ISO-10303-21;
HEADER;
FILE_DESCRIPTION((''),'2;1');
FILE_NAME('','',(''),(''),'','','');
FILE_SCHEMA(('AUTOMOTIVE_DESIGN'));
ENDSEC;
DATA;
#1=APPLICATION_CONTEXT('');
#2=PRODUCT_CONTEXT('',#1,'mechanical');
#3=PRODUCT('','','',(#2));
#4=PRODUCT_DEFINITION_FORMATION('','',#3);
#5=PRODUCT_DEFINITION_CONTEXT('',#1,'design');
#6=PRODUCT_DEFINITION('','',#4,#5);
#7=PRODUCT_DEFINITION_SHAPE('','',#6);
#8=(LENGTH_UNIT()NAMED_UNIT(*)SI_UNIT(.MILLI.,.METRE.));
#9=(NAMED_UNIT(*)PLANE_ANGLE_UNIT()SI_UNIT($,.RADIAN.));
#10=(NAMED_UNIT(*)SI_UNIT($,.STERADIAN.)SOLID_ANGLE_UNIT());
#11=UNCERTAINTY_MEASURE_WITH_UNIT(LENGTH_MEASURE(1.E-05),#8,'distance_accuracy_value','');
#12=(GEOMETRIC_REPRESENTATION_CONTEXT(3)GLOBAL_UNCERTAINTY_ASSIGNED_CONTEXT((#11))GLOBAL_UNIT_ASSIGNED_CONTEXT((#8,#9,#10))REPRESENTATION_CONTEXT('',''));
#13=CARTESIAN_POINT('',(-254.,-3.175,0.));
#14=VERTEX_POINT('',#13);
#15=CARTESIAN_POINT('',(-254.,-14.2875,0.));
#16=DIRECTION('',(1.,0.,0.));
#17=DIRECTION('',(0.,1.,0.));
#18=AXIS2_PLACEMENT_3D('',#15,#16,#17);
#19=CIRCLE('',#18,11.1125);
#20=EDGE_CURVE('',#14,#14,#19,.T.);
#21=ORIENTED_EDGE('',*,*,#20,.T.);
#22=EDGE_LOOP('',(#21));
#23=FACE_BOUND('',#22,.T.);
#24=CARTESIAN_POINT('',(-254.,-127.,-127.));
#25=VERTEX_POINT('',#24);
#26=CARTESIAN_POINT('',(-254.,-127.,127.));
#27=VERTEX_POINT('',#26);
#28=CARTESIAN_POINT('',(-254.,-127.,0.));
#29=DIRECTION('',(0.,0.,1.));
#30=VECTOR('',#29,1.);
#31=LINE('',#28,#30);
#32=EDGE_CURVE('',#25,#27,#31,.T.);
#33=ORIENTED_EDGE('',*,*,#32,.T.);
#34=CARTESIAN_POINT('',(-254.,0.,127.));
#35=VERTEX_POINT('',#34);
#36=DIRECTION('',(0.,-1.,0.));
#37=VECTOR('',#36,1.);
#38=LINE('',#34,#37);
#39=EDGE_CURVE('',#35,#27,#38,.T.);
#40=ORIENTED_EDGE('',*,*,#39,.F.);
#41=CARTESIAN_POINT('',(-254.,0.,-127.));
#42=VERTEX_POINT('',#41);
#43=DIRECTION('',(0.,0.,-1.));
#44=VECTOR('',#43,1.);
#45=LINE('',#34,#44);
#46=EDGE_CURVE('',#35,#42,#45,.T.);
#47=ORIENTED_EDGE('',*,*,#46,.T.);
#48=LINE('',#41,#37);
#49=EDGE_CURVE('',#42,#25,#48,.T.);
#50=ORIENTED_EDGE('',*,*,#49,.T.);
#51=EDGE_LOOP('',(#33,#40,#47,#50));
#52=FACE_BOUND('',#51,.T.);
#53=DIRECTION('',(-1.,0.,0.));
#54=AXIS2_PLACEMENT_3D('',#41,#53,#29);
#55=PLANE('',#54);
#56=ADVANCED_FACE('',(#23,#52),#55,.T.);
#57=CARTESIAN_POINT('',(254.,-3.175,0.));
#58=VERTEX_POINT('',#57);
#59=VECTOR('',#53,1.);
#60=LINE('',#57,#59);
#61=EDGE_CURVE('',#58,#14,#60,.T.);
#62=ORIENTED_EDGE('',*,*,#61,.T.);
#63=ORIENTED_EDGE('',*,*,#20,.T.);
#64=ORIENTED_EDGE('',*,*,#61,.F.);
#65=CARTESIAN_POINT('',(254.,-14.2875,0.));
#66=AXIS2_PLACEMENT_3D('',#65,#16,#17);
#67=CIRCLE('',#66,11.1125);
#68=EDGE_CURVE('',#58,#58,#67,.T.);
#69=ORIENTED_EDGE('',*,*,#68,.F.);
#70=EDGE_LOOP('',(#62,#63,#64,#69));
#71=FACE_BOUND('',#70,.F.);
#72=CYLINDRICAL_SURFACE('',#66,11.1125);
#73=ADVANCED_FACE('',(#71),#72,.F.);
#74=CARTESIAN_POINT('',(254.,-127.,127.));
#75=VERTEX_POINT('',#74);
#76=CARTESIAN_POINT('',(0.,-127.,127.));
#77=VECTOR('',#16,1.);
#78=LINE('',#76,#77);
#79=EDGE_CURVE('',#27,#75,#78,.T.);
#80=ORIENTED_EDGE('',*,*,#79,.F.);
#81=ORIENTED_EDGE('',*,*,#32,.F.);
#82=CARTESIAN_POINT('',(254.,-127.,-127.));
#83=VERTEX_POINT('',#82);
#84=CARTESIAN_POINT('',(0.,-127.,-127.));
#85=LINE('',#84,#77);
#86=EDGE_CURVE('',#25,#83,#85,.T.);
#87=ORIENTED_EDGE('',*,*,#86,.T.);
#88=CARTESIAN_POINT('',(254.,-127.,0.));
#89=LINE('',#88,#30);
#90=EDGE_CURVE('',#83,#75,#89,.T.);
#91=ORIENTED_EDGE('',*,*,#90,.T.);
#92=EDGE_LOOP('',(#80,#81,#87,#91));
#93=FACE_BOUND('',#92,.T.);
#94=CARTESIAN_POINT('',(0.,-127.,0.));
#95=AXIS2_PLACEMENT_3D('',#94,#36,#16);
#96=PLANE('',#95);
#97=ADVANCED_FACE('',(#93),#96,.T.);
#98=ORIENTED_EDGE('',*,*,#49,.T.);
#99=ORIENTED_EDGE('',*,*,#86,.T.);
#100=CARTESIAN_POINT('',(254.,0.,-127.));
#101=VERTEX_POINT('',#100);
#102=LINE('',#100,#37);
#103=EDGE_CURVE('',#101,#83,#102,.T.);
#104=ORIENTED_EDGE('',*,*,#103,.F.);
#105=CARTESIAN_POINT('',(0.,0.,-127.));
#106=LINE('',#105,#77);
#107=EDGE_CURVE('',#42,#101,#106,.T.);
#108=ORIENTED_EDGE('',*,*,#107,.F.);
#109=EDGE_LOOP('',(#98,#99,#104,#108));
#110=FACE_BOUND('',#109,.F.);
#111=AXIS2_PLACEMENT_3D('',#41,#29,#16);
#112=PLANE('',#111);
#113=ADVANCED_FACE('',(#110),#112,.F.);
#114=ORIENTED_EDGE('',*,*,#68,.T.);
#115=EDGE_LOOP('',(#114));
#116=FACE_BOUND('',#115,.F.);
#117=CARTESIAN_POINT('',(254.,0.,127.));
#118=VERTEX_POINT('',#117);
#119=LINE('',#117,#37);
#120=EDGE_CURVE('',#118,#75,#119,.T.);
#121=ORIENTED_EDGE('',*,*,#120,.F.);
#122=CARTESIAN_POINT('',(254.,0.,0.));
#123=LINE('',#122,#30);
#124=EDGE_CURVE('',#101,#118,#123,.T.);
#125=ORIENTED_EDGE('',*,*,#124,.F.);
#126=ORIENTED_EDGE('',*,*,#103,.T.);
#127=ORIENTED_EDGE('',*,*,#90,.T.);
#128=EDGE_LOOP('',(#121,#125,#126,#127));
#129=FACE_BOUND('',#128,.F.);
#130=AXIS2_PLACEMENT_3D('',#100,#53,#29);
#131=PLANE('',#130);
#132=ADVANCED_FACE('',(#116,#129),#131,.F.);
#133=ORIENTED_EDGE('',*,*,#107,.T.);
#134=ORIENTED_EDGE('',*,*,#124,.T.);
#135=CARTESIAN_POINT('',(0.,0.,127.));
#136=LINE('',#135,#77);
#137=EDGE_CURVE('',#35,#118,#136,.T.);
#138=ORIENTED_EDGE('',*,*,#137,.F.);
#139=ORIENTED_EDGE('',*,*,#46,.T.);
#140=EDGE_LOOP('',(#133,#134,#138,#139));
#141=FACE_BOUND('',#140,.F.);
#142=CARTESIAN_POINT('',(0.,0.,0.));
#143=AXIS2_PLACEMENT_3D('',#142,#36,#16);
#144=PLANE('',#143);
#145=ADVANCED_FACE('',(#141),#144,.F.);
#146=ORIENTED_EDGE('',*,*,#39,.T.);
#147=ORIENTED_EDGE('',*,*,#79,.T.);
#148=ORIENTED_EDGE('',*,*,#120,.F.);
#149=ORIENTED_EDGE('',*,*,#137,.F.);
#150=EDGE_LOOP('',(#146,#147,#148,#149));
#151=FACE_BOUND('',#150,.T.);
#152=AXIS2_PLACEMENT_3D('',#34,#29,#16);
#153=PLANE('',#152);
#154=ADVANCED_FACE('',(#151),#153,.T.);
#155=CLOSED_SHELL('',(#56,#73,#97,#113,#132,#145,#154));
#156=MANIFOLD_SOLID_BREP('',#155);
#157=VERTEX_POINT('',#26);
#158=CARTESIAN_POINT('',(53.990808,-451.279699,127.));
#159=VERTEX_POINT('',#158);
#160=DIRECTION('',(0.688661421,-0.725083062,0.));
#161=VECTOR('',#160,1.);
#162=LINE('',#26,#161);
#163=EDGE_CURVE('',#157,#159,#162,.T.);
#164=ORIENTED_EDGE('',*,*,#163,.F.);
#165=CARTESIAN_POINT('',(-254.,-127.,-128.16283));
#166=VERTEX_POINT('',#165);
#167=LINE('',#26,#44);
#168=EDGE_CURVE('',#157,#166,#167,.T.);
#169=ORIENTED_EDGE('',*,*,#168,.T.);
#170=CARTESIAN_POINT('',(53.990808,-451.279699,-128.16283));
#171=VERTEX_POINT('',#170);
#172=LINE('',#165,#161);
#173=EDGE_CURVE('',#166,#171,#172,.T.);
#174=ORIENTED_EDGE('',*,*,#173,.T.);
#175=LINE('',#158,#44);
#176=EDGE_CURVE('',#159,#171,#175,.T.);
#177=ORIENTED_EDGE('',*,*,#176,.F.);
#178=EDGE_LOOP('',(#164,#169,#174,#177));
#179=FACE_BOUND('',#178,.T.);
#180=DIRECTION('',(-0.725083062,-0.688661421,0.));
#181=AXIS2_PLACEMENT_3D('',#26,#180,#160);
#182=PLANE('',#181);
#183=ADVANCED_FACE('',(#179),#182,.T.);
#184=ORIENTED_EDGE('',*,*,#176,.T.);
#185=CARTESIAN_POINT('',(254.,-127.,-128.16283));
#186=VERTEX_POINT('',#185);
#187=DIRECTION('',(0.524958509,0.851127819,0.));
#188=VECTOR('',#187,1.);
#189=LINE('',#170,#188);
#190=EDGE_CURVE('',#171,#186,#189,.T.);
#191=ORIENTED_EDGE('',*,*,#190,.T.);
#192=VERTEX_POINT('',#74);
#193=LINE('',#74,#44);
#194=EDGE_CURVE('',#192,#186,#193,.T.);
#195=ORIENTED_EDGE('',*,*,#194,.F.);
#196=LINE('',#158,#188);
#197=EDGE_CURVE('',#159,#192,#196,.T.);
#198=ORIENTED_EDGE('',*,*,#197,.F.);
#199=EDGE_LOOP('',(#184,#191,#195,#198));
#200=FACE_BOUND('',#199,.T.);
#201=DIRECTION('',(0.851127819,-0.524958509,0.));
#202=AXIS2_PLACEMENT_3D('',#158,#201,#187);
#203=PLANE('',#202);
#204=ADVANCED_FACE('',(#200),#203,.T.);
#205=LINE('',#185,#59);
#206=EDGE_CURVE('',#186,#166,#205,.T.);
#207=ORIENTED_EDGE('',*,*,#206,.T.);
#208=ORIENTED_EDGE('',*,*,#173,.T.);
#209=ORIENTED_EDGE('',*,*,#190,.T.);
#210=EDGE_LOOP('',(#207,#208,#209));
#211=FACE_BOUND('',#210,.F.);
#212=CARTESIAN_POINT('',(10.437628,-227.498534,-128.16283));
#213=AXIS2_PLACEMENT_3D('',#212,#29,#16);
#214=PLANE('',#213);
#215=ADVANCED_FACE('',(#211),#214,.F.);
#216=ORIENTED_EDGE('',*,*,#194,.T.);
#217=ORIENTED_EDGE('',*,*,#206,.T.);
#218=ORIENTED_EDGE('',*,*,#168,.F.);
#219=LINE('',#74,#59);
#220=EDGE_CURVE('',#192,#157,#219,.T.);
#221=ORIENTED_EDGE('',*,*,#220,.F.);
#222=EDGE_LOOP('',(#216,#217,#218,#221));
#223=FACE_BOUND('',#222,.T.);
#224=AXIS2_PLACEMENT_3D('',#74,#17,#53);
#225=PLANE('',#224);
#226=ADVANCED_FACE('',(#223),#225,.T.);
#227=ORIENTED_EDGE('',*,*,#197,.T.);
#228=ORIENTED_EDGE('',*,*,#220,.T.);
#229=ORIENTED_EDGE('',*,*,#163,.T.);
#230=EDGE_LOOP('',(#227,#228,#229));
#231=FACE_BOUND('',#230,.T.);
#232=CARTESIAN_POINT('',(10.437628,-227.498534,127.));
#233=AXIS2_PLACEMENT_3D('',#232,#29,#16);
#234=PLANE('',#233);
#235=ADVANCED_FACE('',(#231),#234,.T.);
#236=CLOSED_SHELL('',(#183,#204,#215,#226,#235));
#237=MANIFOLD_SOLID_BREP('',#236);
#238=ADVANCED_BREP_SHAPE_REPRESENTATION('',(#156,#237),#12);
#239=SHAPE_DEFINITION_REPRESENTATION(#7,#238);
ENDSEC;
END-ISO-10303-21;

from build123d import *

# Parameters (mm, degrees)
F0_W     = 508
F0_H     = 254
F1_DEPTH = 127
F3_DEPTH = 255.16283
F4_R     = 25.4
F5_DEPTH = 897.97855
F6_R     = 11.1125
F7_DEPTH = 986.37929


with BuildPart() as f1:
    # F0 (on Front) → F1 (new body)
    with BuildSketch(Plane.XZ):
        Rectangle(F0_W, F0_H)
    extrude(amount=F1_DEPTH)

    # F4 (on face) → F5 (cut)
    with BuildSketch(Plane(origin=(-254, 0, 0), x_dir=(0, -1, 0), z_dir=(-1, 0, 0))):
        with Locations((23.774409228, 0)):
            Circle(F4_R)
    extrude(amount=F5_DEPTH, mode=Mode.SUBTRACT)

    # F6 (on face) → F7 (cut)
    with BuildSketch(Plane.YZ.offset(254)):
        with Locations((-14.2875, 0)):
            Circle(F6_R)
    extrude(amount=-F7_DEPTH, mode=Mode.SUBTRACT)


with BuildPart() as f3:
    # F2 (on face) → F3 (new body)
    with BuildSketch(Plane.XY.offset(127)):
        Polygon((53.9908080281, -451.2796989125), (254, -127), (-254, -127), align=None)
    extrude(amount=-F3_DEPTH)


solid = Compound([f1.part, f3.part])
